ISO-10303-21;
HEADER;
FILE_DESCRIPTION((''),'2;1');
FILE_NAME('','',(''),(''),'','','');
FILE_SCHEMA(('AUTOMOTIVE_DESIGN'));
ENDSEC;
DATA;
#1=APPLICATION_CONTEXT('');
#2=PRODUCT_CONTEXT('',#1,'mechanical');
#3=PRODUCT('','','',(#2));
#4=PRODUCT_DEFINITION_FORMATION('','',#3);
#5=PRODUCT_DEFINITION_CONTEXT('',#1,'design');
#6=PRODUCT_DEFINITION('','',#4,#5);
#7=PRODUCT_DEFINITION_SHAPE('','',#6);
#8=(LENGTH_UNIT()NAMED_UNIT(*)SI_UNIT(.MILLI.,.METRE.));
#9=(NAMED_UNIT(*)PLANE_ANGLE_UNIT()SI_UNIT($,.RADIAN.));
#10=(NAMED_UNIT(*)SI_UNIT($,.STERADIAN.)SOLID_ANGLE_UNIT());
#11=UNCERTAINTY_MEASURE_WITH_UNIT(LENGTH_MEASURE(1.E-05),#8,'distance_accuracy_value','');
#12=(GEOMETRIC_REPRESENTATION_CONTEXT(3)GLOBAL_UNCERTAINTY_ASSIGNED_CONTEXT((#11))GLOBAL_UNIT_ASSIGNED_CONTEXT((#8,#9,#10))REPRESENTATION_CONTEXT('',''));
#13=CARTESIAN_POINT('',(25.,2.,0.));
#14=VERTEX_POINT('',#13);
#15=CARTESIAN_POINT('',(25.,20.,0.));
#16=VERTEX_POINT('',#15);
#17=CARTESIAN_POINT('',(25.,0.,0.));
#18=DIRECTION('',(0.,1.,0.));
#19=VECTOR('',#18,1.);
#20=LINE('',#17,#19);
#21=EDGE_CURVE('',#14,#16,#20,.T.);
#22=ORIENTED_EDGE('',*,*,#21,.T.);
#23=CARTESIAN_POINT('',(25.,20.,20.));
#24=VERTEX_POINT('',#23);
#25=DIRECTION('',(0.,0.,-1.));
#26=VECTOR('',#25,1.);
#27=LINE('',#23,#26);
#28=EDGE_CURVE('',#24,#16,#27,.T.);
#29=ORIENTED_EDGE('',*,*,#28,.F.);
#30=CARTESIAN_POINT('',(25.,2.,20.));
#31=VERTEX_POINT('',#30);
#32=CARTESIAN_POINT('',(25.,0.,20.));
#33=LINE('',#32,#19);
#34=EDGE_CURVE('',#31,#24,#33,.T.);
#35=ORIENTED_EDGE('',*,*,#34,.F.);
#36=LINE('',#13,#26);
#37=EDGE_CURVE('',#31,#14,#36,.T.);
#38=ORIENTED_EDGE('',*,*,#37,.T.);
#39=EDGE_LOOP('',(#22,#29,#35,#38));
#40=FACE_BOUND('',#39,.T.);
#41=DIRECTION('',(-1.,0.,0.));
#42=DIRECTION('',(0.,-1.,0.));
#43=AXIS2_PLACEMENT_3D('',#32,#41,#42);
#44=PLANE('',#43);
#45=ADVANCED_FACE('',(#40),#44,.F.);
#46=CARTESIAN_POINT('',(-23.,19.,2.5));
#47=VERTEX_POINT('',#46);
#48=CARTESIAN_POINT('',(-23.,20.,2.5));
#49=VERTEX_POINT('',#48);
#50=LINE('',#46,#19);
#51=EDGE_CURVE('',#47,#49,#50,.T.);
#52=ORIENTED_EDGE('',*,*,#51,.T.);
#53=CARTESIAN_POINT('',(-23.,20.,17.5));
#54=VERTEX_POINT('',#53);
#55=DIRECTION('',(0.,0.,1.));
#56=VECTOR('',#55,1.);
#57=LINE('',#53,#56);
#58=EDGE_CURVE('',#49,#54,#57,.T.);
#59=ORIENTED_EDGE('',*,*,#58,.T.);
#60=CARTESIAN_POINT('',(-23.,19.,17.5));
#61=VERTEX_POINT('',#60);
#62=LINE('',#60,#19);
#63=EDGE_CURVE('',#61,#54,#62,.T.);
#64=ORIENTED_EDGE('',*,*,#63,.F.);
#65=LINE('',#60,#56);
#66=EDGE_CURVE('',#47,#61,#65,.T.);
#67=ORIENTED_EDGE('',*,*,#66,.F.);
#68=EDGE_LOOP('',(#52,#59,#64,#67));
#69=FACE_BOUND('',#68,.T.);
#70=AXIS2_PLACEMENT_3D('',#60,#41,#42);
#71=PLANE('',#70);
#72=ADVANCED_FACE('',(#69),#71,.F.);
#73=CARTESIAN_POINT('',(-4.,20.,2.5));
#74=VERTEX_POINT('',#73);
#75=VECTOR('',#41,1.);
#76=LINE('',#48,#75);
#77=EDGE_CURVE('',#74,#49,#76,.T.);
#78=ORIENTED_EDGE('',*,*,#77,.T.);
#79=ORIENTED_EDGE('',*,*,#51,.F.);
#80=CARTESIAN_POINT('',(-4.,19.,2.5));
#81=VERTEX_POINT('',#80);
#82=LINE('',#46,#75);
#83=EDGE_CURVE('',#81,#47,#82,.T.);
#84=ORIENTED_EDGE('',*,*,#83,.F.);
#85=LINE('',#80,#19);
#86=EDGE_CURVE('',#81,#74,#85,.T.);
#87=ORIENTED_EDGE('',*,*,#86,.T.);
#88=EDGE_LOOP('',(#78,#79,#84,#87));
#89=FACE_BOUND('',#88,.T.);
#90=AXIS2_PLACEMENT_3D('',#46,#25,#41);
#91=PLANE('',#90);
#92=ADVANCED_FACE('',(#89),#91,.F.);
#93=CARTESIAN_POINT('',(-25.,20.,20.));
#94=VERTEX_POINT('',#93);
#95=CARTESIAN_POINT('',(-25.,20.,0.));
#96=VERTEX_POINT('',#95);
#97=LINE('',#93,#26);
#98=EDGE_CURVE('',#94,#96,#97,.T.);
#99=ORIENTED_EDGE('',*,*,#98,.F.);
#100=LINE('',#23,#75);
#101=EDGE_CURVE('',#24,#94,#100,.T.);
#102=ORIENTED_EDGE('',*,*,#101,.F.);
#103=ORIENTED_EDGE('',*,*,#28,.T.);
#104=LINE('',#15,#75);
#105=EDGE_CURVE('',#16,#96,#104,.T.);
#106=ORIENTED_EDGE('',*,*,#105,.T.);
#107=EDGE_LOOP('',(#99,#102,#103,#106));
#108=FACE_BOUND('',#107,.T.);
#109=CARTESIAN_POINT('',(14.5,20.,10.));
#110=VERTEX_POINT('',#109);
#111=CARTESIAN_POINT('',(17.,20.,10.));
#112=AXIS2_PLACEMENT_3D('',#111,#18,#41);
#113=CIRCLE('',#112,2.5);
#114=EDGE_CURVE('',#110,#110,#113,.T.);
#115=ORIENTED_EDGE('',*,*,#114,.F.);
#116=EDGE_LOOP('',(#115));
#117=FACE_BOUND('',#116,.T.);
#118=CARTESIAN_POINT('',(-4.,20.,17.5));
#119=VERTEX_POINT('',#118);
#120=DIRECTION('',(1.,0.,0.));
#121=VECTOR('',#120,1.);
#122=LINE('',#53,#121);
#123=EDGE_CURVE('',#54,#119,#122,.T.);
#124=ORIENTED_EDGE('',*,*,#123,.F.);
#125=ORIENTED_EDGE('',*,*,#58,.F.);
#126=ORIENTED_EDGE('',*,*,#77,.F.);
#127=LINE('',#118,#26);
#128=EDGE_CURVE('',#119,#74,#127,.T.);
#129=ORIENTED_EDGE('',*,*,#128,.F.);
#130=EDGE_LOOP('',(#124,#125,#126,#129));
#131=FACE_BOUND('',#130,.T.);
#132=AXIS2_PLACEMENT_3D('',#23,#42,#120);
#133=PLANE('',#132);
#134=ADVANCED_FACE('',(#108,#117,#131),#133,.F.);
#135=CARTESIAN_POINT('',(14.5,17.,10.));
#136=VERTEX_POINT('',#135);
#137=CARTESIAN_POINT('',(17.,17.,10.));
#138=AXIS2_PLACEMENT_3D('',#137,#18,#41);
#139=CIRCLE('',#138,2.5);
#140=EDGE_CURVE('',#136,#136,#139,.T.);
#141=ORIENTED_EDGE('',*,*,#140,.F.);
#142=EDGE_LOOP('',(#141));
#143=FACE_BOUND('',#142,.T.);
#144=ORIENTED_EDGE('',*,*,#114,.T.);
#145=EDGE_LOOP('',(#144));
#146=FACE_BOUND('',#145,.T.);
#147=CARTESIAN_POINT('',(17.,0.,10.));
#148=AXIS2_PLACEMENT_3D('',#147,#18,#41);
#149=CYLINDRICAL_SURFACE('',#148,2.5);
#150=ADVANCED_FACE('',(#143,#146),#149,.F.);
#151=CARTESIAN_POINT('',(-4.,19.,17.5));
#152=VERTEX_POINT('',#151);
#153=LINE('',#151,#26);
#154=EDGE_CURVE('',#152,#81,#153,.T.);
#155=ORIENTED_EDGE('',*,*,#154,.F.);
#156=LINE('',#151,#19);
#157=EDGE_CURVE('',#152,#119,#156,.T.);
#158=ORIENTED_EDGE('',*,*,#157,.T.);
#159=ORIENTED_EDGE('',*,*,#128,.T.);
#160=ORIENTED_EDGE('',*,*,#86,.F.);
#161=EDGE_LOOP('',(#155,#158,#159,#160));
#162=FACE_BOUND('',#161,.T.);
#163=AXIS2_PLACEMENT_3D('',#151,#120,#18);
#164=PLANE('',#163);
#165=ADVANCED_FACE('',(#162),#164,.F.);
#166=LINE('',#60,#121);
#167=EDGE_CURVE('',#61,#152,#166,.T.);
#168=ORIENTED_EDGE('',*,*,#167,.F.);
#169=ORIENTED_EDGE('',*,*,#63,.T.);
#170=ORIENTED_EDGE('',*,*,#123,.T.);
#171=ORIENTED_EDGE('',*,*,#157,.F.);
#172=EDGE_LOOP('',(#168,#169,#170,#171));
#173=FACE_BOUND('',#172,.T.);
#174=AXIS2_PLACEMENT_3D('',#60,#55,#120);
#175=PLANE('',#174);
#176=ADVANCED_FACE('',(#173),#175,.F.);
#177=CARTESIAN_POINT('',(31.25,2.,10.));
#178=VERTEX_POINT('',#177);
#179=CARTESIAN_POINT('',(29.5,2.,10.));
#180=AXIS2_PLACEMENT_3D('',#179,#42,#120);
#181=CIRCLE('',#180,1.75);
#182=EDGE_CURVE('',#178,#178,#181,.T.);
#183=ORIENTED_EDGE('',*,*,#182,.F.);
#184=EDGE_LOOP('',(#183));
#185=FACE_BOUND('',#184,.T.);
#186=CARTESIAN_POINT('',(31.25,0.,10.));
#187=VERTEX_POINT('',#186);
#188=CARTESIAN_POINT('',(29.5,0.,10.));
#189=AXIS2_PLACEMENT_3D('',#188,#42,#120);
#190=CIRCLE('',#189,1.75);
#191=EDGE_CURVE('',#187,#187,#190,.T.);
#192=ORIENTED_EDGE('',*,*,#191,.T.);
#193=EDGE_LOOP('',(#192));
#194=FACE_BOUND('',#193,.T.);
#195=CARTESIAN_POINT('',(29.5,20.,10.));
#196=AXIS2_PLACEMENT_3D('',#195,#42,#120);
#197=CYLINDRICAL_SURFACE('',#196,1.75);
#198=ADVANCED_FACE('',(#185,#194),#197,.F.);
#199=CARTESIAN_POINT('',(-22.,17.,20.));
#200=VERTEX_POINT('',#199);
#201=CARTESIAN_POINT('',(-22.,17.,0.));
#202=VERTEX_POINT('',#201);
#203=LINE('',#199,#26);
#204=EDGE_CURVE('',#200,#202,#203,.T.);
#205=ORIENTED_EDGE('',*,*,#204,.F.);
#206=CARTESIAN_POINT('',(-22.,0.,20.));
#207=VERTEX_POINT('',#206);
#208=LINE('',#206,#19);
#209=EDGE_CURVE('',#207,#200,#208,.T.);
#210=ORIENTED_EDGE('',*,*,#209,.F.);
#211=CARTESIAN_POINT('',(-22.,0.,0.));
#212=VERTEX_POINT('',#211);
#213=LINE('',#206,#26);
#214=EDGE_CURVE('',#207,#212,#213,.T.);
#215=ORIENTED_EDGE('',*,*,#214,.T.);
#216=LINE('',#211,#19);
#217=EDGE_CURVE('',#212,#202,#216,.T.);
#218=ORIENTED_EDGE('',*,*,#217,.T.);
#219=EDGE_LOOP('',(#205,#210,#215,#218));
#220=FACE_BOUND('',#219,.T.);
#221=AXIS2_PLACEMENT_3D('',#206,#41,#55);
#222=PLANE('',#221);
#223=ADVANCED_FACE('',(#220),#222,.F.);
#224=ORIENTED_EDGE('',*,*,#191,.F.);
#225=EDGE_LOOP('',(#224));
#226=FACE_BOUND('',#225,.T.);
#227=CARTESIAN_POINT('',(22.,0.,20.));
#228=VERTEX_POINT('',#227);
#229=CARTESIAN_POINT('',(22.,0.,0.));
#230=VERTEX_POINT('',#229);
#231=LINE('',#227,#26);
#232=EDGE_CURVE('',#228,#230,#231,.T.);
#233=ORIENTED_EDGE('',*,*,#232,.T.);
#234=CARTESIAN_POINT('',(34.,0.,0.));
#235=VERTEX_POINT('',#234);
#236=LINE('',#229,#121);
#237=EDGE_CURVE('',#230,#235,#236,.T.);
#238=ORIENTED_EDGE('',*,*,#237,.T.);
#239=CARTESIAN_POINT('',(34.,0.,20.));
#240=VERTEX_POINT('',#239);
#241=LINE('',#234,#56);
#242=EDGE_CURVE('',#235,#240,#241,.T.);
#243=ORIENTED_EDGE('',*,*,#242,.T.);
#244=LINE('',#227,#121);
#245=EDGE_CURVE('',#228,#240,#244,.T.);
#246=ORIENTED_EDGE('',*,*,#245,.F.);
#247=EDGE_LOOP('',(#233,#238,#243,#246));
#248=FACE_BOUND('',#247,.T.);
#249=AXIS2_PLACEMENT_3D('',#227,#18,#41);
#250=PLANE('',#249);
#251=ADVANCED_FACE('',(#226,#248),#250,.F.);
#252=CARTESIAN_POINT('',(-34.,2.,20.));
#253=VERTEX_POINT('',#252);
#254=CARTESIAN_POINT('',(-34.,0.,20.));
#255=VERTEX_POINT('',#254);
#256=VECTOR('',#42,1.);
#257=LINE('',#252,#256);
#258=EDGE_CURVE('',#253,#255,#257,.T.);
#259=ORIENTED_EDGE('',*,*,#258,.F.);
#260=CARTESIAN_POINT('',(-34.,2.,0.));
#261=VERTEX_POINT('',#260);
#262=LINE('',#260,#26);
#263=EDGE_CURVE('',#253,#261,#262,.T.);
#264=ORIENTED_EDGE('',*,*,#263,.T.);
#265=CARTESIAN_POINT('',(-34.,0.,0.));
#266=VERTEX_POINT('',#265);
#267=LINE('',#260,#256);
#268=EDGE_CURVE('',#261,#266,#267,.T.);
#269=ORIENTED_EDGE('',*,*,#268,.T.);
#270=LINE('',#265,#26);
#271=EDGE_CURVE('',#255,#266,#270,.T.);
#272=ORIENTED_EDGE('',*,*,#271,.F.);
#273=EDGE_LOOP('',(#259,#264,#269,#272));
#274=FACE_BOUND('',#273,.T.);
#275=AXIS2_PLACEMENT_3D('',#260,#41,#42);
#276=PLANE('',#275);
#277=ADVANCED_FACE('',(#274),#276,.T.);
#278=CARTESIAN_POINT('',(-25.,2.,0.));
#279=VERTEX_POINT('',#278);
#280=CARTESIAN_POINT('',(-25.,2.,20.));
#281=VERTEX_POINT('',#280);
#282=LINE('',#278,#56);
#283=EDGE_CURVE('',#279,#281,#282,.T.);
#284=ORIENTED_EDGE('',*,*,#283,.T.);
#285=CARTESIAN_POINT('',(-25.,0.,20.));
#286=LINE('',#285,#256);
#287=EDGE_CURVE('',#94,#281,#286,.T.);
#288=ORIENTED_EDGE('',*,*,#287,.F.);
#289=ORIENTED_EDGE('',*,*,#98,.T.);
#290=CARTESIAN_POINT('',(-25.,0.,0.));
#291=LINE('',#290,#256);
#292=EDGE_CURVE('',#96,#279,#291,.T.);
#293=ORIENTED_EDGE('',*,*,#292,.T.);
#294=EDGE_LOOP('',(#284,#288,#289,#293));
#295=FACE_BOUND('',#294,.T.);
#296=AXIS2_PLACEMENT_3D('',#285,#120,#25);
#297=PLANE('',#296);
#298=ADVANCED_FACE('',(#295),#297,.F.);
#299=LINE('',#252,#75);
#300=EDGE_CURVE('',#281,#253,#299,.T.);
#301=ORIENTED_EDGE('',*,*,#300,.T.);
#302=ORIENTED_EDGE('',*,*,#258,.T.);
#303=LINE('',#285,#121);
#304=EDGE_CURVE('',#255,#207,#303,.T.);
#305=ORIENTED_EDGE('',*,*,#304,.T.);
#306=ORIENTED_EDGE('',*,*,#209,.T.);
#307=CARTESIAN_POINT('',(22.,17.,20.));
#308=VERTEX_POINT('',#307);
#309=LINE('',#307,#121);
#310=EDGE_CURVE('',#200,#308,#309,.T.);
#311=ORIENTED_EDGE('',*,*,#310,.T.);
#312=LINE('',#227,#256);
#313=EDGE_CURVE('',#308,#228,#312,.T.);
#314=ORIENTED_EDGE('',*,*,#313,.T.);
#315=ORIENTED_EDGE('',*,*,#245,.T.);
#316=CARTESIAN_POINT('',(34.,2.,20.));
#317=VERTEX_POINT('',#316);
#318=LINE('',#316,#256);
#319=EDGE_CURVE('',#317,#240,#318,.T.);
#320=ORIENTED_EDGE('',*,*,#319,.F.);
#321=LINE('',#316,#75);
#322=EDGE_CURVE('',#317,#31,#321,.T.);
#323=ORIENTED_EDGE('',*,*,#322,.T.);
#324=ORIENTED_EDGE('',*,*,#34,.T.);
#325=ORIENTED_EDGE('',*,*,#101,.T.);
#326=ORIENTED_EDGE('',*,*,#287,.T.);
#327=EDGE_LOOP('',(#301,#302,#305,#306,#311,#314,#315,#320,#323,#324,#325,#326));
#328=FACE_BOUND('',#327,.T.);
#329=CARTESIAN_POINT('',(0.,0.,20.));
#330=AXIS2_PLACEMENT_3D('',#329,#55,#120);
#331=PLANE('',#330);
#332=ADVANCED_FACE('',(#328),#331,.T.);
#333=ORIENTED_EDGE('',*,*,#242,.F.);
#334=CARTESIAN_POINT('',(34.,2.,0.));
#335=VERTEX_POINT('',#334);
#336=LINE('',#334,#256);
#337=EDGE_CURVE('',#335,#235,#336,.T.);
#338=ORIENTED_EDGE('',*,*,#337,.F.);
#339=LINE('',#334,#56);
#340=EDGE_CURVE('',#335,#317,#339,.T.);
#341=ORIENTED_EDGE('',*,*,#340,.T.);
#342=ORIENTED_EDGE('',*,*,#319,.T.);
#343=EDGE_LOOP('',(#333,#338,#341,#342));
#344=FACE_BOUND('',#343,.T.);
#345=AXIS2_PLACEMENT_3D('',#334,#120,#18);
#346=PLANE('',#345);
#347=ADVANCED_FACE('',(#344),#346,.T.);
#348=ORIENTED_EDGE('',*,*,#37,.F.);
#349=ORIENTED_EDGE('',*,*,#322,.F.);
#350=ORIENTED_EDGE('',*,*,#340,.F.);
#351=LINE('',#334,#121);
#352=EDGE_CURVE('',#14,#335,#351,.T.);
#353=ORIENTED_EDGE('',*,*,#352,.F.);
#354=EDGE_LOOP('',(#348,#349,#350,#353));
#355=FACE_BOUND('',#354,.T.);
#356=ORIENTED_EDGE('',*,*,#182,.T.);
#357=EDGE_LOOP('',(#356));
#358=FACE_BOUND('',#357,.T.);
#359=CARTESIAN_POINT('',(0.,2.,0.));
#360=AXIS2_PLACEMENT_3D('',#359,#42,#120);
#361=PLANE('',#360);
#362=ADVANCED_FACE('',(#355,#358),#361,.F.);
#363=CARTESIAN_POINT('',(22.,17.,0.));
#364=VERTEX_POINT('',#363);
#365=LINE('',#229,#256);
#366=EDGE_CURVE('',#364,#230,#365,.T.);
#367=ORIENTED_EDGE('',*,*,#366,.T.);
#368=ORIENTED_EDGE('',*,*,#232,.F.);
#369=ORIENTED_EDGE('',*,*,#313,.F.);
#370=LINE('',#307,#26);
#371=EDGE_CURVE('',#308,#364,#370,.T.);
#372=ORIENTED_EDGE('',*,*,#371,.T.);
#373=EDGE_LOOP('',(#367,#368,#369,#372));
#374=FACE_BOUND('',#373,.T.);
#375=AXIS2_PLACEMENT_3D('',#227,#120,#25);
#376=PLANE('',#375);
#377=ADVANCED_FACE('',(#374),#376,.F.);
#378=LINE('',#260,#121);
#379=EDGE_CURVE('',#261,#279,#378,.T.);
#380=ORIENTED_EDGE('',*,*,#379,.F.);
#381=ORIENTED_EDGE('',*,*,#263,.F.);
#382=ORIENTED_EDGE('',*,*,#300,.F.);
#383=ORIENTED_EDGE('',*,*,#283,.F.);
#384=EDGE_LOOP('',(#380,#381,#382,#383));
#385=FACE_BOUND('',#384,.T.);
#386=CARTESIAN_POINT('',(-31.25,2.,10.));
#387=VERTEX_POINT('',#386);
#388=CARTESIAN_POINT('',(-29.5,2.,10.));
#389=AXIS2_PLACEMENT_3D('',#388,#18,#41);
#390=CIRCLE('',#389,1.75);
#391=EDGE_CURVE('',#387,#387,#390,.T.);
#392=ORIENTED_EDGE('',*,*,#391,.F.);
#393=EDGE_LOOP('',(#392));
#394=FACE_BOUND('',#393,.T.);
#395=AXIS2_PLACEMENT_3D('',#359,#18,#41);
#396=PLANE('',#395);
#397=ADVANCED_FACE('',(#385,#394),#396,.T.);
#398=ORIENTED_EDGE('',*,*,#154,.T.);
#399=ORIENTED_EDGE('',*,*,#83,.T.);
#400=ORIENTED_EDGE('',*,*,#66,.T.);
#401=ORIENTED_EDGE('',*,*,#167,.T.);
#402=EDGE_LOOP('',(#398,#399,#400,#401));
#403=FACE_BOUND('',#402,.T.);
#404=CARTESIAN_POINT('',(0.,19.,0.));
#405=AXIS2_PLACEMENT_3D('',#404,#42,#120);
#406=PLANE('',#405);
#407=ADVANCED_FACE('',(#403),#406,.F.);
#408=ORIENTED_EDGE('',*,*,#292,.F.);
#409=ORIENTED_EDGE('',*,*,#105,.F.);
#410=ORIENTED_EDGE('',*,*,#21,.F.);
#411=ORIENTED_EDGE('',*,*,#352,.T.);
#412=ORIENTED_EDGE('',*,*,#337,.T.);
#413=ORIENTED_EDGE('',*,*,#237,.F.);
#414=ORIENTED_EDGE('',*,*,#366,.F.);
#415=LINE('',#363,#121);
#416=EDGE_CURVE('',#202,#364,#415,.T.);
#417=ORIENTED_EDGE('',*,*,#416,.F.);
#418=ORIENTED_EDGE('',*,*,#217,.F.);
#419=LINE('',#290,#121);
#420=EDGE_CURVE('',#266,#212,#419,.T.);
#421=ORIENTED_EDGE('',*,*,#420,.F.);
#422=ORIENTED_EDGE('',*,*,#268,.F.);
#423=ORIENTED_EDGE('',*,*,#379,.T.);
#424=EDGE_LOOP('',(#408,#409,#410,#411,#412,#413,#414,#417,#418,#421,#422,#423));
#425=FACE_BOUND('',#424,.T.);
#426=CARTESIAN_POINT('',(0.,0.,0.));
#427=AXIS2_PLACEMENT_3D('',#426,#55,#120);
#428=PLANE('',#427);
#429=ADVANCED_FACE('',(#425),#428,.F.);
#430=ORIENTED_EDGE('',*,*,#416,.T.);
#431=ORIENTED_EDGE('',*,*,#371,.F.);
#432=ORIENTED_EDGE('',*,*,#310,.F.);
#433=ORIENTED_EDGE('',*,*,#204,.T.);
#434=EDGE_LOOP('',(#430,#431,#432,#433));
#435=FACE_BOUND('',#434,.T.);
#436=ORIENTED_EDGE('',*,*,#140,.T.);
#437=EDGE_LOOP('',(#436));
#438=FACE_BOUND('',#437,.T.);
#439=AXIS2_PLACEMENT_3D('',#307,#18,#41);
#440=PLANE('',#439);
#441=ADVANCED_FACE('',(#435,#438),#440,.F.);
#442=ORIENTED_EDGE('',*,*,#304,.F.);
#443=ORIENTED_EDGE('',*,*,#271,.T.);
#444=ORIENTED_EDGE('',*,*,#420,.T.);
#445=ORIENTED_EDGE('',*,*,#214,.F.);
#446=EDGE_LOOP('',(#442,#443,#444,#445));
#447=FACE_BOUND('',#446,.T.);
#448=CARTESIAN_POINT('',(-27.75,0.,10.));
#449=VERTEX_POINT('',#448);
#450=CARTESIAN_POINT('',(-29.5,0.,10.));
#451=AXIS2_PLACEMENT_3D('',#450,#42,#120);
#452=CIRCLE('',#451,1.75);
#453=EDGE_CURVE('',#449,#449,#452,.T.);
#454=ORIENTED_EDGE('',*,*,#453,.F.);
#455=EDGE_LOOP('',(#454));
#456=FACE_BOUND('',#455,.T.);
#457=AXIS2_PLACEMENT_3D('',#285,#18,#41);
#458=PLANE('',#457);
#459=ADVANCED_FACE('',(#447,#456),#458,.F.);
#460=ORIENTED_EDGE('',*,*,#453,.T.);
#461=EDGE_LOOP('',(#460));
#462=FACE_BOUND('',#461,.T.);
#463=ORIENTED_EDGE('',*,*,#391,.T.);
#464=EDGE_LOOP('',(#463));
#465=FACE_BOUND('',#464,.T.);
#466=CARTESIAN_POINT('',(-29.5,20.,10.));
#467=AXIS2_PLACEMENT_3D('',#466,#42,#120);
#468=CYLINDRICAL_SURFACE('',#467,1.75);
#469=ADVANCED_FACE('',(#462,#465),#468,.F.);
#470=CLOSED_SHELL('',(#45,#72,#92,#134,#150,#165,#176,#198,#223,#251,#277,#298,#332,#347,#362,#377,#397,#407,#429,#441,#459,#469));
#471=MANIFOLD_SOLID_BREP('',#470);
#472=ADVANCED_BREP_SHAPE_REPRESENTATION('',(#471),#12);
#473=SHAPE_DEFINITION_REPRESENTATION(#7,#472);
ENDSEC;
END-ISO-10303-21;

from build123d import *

# Parameters (mm, degrees)
BOSS_EXTRUDE1_DEPTH = 20
SKETCH2_W           = 19
SKETCH2_H           = 15
CUT_EXTRUDE1_DEPTH  = 1
SKETCH3_R           = 2.5
CUT_EXTRUDE2_DEPTH  = 38.749172176
SKETCH4_W           = 9
SKETCH4_H           = 20
BOSS_EXTRUDE2_DEPTH = 2
SKETCH5_R           = 1.75
CUT_EXTRUDE3_DEPTH  = 45.226688775


with BuildPart() as part:
    # Sketch1 → Boss-Extrude1 (new body)
    with BuildSketch(Plane.XY):
        Polygon((22, 0), (22, 17), (-22, 17), (-22, 0), (-25, 0), (-25, 20), (25, 20), (25, 0), align=None)
    extrude(amount=BOSS_EXTRUDE1_DEPTH)

    # Sketch2 → Cut-Extrude1 (cut)
    with BuildSketch(Plane(origin=(0, 20, 0), x_dir=(1, 0, 0), z_dir=(0, 1, 0))):
        with Locations((-13.5, -10)):
            Rectangle(SKETCH2_W, SKETCH2_H)
    extrude(amount=-CUT_EXTRUDE1_DEPTH, mode=Mode.SUBTRACT)

    # Sketch3 → Cut-Extrude2 (cut, through all)
    with BuildSketch(Plane(origin=(0, 20, 0), x_dir=(1, 0, 0), z_dir=(0, 1, 0))):
        with Locations(Location((17, -10, 0), (0, 0, 180))):
            Circle(SKETCH3_R)
    extrude(amount=-CUT_EXTRUDE2_DEPTH, mode=Mode.SUBTRACT)

    # Sketch4 → Boss-Extrude2 (add)
    with BuildSketch(Plane.XZ):
        with Locations((-29.5, 10)):
            Rectangle(SKETCH4_W, SKETCH4_H)
        with Locations((29.5, 10)):
            Rectangle(SKETCH4_W, SKETCH4_H)
    extrude(amount=-BOSS_EXTRUDE2_DEPTH)

    # Sketch5 → Cut-Extrude3 (cut, through all)
    with BuildSketch(Plane.XZ):
        with Locations((-29.5, 10)):
            Circle(SKETCH5_R)
        with Locations((29.5, 10)):
            Circle(SKETCH5_R)
    extrude(amount=-CUT_EXTRUDE3_DEPTH, mode=Mode.SUBTRACT)


solid = part.part
